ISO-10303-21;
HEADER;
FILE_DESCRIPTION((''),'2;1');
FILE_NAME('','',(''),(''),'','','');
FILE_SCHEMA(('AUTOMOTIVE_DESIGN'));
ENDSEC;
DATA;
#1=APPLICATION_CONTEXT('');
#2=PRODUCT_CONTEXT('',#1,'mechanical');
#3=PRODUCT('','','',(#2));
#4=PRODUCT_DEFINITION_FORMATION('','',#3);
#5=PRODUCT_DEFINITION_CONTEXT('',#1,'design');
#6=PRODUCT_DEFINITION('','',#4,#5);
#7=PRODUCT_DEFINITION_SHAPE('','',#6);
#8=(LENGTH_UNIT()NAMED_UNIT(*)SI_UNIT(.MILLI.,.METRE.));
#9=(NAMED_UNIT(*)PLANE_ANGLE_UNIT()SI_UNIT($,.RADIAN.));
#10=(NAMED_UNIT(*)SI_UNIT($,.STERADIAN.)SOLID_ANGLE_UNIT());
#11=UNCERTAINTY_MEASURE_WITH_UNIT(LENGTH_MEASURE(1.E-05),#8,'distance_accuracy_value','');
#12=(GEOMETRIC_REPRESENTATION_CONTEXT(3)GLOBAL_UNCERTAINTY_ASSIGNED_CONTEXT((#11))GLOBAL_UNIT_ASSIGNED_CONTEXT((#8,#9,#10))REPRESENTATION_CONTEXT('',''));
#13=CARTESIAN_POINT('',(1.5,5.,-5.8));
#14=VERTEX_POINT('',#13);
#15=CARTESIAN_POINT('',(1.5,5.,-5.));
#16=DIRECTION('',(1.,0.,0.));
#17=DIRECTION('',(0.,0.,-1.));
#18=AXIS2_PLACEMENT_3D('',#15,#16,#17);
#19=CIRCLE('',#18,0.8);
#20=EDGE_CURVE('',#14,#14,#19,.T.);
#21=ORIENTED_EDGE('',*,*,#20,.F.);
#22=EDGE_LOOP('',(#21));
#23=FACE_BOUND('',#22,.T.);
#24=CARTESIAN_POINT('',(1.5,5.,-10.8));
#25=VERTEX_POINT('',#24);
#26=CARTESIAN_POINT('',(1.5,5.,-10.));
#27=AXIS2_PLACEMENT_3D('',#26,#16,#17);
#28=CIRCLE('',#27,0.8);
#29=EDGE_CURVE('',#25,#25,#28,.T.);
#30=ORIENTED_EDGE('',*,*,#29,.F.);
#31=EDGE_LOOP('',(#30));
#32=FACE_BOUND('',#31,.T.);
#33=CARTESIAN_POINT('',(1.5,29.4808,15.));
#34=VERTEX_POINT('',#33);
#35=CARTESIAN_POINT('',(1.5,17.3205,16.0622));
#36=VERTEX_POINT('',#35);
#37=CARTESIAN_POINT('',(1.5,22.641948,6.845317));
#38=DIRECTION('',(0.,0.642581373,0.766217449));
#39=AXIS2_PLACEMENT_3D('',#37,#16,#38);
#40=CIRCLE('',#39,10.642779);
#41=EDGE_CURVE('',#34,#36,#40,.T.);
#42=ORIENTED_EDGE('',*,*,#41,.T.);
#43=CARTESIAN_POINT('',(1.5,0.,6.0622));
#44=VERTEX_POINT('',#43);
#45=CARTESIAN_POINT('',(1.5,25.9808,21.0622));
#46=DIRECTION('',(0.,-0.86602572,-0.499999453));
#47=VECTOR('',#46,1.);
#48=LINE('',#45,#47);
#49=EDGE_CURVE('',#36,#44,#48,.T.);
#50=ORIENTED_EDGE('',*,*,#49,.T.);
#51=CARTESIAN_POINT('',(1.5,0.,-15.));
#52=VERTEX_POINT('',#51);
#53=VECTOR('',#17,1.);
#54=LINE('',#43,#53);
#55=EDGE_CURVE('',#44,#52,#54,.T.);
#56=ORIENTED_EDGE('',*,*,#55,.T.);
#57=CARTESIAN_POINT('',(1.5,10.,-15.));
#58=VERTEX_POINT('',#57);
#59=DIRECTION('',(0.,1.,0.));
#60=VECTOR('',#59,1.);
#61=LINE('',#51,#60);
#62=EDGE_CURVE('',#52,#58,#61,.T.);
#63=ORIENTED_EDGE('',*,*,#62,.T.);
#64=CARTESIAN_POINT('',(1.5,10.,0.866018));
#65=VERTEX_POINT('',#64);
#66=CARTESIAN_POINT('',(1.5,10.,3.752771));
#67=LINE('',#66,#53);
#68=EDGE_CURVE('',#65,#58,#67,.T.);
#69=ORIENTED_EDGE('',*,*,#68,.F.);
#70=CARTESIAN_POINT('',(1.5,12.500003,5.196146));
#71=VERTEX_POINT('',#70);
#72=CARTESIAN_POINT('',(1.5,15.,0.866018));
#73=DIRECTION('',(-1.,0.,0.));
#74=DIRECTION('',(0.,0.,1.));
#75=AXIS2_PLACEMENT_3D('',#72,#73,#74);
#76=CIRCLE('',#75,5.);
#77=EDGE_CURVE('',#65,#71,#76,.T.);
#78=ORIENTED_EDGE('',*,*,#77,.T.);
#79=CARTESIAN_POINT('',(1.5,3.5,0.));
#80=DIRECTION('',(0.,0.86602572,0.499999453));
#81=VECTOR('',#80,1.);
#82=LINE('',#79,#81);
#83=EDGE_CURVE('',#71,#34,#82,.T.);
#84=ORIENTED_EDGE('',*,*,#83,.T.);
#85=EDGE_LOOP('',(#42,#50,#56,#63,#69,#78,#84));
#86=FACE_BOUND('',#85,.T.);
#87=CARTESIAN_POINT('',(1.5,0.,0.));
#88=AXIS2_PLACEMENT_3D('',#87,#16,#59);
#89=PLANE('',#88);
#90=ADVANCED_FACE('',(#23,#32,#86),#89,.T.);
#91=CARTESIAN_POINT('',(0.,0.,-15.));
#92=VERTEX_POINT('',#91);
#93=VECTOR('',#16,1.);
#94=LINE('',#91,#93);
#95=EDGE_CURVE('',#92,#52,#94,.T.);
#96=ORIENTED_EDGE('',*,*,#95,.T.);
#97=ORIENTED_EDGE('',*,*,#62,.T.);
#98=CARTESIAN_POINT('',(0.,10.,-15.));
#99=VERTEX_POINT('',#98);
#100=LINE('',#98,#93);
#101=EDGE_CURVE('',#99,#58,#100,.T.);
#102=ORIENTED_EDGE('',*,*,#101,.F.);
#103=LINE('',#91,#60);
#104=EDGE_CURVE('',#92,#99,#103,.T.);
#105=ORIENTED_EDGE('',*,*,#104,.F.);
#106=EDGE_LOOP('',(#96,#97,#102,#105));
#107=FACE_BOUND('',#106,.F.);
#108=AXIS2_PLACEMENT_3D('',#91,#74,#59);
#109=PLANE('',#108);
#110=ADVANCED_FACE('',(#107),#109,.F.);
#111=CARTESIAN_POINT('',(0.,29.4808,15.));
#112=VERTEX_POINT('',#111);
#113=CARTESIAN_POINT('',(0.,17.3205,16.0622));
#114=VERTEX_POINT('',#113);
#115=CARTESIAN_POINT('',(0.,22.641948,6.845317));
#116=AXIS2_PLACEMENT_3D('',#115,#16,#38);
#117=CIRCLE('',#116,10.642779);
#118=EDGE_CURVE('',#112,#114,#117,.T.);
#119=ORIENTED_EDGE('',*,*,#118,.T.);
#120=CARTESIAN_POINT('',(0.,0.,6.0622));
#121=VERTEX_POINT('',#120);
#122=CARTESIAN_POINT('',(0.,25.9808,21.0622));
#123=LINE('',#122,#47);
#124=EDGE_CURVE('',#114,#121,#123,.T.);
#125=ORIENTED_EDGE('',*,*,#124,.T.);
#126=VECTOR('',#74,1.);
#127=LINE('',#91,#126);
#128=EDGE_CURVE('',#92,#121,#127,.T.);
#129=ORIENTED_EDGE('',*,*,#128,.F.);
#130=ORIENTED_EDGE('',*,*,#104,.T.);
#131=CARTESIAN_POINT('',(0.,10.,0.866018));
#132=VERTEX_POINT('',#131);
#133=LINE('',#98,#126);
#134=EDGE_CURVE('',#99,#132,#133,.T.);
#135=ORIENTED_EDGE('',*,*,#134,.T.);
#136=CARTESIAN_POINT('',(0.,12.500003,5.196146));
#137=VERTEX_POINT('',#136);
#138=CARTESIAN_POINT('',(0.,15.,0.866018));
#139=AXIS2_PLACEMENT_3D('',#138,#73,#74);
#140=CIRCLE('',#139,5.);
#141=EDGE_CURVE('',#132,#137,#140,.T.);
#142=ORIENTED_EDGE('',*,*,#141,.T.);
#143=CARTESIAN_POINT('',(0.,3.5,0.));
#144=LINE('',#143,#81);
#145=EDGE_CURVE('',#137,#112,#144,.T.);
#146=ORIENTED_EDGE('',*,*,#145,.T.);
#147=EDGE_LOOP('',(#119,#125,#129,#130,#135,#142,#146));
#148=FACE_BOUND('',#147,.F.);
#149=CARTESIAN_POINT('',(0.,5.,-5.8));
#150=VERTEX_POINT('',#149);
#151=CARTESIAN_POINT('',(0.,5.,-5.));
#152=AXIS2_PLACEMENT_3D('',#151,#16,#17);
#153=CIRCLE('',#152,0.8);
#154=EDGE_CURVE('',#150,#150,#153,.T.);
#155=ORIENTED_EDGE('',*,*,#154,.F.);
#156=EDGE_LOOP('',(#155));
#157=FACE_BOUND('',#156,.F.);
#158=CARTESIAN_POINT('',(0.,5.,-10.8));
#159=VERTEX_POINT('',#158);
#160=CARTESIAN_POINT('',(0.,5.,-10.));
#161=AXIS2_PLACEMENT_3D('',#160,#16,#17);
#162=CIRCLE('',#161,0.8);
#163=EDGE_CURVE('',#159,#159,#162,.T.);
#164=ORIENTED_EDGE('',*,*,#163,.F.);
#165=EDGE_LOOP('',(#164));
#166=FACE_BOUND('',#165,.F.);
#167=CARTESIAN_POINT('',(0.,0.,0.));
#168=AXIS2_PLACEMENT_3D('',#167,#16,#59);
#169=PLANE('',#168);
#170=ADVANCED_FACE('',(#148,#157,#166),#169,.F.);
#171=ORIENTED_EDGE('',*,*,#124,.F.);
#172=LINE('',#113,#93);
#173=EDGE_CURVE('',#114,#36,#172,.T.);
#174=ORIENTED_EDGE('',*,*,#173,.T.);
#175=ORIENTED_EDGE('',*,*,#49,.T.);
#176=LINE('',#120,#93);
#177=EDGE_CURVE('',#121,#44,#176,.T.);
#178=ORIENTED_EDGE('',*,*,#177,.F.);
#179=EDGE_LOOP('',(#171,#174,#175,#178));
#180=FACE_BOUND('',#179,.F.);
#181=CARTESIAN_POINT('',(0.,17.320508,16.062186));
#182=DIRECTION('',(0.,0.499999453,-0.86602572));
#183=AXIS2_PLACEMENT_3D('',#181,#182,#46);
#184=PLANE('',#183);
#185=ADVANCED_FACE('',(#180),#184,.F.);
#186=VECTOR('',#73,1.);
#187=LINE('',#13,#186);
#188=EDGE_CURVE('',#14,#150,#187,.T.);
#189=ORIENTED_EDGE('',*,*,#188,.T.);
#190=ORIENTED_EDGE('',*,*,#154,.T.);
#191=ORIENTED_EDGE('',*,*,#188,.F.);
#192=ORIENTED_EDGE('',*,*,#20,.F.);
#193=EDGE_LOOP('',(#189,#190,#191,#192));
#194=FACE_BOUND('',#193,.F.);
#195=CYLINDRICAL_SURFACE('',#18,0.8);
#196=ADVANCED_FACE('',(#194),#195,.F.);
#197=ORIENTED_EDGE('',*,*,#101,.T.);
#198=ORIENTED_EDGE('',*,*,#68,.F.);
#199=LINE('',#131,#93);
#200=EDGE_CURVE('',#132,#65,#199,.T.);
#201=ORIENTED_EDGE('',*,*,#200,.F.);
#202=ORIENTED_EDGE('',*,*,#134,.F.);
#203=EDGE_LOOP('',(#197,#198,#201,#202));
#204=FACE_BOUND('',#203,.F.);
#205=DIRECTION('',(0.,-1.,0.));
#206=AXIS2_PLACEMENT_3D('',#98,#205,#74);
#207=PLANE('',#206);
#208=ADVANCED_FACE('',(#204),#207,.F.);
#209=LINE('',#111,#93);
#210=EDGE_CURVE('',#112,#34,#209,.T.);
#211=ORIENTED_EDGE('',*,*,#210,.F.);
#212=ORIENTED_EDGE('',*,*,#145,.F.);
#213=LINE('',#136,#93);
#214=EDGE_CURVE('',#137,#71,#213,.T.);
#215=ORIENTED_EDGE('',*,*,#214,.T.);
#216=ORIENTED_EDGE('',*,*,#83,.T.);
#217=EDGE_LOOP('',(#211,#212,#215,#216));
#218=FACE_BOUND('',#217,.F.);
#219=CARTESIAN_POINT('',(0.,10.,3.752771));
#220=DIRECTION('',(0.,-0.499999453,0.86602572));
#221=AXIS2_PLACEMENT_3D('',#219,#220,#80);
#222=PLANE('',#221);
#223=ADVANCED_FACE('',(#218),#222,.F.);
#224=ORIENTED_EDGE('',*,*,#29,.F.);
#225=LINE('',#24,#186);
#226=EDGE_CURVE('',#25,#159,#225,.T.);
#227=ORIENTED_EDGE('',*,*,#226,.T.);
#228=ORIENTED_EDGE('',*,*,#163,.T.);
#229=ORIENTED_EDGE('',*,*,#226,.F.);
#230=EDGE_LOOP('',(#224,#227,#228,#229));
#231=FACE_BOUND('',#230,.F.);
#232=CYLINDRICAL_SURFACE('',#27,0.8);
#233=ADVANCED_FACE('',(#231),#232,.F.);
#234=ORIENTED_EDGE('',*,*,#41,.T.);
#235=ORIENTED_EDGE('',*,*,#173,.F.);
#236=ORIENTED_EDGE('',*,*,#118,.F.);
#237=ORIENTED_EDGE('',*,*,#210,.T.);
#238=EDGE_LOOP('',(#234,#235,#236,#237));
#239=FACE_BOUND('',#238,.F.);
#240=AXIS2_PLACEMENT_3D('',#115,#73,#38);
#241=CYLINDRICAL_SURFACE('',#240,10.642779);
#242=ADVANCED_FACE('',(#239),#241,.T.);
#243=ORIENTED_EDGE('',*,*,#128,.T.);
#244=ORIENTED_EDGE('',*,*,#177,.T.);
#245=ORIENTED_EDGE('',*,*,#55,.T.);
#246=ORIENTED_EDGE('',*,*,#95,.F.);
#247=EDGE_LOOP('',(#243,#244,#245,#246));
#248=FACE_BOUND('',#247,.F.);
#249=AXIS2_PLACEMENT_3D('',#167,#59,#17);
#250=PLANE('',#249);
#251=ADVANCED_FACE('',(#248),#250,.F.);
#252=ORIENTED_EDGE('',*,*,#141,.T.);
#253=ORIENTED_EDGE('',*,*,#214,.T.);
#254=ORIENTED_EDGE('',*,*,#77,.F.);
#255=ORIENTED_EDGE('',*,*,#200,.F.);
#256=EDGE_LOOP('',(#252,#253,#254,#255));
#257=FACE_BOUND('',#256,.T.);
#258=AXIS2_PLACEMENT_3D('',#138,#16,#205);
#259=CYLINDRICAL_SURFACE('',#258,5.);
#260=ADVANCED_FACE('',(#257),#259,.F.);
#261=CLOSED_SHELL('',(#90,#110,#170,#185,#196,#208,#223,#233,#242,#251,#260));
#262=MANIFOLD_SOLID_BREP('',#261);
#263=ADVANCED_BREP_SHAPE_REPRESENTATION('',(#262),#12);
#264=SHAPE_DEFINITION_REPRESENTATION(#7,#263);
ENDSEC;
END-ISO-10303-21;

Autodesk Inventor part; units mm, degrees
ref_plane "YZ Plane" through (0, 0, 0) normal (1, 0, 0) x (0, 1, 0)
ref_plane "XZ Plane" through (0, 0, 0) normal (0, 1, 0) x (-1, 0, 0)
ref_plane "XY Plane" through (0, 0, 0) normal (0, 0, 1) x (1, 0, 0)
sketch "スケッチ1" plane through (0, 0, 0) normal (1, 0, 0) x (0, 1, 0)
  line L0 (10, 0) -> (0, 0)
  line L1 (0, 0) -> (0, -15)
  line L2 (0, -15) -> (10, -15)
  line L3 (10, -15) -> (10, 0)
  line L4 (10, 0) -> (0, 0)
  line L5 (0, 0) -> (0, 6.0622)
  line L6 (0, 6.0622) -> (10, 6.0622)
  line L7 (10, 6.0622) -> (10, 0)
  line L8 (0, 6.0622) -> (3.5, 0)
  line L9 (3.5, 0) -> (29.4808, 15)
  line L10 (29.4808, 15) -> (25.9808, 21.0622)
  line L11 (25.9808, 21.0622) -> (0, 6.0622)
  arc A0 (29.4808, 15) -> (17.3205, 16.0622) centre (22.6419, 6.8452) ccw
  point P0 (10, 3.7528)
  dimension "d0" = 10
  dimension "d1" = 15
  dimension "d6" = 30
  dimension "d10" = 60
  dimension "d11" = 7
  dimension "d12" = 20
extrude "押し出し1" add sketch "スケッチ1" along normal blind 1.5 contours L3 L2 L1 L0 | L0 L9 L7 | L0 L5 L8 | L8 L6 L7 L9 | L7 L6 L11 A0 L9
fillet "フィレット2" radius 5 1 edges at (0.75, 10, 3.7528)
sketch "スケッチ2" plane through (1.5, 0, 0) normal (1, 0, 0) x (0, 0, -1)
  circle A0 centre (10, 5) radius 0.8
  circle A1 centre (5, 5) radius 0.8
  line L0 (15, 0) -> (15, 10) projected
  point P0 (0, 0)
  point P1 (15, 5)
  dimension "d14" = 1.6
  dimension "d15" = 1.6
  dimension "d16" = 5
  dimension "d17" = 5
extrude "押し出し2" cut sketch "スケッチ2" against normal through all
properties part number "claw2"
